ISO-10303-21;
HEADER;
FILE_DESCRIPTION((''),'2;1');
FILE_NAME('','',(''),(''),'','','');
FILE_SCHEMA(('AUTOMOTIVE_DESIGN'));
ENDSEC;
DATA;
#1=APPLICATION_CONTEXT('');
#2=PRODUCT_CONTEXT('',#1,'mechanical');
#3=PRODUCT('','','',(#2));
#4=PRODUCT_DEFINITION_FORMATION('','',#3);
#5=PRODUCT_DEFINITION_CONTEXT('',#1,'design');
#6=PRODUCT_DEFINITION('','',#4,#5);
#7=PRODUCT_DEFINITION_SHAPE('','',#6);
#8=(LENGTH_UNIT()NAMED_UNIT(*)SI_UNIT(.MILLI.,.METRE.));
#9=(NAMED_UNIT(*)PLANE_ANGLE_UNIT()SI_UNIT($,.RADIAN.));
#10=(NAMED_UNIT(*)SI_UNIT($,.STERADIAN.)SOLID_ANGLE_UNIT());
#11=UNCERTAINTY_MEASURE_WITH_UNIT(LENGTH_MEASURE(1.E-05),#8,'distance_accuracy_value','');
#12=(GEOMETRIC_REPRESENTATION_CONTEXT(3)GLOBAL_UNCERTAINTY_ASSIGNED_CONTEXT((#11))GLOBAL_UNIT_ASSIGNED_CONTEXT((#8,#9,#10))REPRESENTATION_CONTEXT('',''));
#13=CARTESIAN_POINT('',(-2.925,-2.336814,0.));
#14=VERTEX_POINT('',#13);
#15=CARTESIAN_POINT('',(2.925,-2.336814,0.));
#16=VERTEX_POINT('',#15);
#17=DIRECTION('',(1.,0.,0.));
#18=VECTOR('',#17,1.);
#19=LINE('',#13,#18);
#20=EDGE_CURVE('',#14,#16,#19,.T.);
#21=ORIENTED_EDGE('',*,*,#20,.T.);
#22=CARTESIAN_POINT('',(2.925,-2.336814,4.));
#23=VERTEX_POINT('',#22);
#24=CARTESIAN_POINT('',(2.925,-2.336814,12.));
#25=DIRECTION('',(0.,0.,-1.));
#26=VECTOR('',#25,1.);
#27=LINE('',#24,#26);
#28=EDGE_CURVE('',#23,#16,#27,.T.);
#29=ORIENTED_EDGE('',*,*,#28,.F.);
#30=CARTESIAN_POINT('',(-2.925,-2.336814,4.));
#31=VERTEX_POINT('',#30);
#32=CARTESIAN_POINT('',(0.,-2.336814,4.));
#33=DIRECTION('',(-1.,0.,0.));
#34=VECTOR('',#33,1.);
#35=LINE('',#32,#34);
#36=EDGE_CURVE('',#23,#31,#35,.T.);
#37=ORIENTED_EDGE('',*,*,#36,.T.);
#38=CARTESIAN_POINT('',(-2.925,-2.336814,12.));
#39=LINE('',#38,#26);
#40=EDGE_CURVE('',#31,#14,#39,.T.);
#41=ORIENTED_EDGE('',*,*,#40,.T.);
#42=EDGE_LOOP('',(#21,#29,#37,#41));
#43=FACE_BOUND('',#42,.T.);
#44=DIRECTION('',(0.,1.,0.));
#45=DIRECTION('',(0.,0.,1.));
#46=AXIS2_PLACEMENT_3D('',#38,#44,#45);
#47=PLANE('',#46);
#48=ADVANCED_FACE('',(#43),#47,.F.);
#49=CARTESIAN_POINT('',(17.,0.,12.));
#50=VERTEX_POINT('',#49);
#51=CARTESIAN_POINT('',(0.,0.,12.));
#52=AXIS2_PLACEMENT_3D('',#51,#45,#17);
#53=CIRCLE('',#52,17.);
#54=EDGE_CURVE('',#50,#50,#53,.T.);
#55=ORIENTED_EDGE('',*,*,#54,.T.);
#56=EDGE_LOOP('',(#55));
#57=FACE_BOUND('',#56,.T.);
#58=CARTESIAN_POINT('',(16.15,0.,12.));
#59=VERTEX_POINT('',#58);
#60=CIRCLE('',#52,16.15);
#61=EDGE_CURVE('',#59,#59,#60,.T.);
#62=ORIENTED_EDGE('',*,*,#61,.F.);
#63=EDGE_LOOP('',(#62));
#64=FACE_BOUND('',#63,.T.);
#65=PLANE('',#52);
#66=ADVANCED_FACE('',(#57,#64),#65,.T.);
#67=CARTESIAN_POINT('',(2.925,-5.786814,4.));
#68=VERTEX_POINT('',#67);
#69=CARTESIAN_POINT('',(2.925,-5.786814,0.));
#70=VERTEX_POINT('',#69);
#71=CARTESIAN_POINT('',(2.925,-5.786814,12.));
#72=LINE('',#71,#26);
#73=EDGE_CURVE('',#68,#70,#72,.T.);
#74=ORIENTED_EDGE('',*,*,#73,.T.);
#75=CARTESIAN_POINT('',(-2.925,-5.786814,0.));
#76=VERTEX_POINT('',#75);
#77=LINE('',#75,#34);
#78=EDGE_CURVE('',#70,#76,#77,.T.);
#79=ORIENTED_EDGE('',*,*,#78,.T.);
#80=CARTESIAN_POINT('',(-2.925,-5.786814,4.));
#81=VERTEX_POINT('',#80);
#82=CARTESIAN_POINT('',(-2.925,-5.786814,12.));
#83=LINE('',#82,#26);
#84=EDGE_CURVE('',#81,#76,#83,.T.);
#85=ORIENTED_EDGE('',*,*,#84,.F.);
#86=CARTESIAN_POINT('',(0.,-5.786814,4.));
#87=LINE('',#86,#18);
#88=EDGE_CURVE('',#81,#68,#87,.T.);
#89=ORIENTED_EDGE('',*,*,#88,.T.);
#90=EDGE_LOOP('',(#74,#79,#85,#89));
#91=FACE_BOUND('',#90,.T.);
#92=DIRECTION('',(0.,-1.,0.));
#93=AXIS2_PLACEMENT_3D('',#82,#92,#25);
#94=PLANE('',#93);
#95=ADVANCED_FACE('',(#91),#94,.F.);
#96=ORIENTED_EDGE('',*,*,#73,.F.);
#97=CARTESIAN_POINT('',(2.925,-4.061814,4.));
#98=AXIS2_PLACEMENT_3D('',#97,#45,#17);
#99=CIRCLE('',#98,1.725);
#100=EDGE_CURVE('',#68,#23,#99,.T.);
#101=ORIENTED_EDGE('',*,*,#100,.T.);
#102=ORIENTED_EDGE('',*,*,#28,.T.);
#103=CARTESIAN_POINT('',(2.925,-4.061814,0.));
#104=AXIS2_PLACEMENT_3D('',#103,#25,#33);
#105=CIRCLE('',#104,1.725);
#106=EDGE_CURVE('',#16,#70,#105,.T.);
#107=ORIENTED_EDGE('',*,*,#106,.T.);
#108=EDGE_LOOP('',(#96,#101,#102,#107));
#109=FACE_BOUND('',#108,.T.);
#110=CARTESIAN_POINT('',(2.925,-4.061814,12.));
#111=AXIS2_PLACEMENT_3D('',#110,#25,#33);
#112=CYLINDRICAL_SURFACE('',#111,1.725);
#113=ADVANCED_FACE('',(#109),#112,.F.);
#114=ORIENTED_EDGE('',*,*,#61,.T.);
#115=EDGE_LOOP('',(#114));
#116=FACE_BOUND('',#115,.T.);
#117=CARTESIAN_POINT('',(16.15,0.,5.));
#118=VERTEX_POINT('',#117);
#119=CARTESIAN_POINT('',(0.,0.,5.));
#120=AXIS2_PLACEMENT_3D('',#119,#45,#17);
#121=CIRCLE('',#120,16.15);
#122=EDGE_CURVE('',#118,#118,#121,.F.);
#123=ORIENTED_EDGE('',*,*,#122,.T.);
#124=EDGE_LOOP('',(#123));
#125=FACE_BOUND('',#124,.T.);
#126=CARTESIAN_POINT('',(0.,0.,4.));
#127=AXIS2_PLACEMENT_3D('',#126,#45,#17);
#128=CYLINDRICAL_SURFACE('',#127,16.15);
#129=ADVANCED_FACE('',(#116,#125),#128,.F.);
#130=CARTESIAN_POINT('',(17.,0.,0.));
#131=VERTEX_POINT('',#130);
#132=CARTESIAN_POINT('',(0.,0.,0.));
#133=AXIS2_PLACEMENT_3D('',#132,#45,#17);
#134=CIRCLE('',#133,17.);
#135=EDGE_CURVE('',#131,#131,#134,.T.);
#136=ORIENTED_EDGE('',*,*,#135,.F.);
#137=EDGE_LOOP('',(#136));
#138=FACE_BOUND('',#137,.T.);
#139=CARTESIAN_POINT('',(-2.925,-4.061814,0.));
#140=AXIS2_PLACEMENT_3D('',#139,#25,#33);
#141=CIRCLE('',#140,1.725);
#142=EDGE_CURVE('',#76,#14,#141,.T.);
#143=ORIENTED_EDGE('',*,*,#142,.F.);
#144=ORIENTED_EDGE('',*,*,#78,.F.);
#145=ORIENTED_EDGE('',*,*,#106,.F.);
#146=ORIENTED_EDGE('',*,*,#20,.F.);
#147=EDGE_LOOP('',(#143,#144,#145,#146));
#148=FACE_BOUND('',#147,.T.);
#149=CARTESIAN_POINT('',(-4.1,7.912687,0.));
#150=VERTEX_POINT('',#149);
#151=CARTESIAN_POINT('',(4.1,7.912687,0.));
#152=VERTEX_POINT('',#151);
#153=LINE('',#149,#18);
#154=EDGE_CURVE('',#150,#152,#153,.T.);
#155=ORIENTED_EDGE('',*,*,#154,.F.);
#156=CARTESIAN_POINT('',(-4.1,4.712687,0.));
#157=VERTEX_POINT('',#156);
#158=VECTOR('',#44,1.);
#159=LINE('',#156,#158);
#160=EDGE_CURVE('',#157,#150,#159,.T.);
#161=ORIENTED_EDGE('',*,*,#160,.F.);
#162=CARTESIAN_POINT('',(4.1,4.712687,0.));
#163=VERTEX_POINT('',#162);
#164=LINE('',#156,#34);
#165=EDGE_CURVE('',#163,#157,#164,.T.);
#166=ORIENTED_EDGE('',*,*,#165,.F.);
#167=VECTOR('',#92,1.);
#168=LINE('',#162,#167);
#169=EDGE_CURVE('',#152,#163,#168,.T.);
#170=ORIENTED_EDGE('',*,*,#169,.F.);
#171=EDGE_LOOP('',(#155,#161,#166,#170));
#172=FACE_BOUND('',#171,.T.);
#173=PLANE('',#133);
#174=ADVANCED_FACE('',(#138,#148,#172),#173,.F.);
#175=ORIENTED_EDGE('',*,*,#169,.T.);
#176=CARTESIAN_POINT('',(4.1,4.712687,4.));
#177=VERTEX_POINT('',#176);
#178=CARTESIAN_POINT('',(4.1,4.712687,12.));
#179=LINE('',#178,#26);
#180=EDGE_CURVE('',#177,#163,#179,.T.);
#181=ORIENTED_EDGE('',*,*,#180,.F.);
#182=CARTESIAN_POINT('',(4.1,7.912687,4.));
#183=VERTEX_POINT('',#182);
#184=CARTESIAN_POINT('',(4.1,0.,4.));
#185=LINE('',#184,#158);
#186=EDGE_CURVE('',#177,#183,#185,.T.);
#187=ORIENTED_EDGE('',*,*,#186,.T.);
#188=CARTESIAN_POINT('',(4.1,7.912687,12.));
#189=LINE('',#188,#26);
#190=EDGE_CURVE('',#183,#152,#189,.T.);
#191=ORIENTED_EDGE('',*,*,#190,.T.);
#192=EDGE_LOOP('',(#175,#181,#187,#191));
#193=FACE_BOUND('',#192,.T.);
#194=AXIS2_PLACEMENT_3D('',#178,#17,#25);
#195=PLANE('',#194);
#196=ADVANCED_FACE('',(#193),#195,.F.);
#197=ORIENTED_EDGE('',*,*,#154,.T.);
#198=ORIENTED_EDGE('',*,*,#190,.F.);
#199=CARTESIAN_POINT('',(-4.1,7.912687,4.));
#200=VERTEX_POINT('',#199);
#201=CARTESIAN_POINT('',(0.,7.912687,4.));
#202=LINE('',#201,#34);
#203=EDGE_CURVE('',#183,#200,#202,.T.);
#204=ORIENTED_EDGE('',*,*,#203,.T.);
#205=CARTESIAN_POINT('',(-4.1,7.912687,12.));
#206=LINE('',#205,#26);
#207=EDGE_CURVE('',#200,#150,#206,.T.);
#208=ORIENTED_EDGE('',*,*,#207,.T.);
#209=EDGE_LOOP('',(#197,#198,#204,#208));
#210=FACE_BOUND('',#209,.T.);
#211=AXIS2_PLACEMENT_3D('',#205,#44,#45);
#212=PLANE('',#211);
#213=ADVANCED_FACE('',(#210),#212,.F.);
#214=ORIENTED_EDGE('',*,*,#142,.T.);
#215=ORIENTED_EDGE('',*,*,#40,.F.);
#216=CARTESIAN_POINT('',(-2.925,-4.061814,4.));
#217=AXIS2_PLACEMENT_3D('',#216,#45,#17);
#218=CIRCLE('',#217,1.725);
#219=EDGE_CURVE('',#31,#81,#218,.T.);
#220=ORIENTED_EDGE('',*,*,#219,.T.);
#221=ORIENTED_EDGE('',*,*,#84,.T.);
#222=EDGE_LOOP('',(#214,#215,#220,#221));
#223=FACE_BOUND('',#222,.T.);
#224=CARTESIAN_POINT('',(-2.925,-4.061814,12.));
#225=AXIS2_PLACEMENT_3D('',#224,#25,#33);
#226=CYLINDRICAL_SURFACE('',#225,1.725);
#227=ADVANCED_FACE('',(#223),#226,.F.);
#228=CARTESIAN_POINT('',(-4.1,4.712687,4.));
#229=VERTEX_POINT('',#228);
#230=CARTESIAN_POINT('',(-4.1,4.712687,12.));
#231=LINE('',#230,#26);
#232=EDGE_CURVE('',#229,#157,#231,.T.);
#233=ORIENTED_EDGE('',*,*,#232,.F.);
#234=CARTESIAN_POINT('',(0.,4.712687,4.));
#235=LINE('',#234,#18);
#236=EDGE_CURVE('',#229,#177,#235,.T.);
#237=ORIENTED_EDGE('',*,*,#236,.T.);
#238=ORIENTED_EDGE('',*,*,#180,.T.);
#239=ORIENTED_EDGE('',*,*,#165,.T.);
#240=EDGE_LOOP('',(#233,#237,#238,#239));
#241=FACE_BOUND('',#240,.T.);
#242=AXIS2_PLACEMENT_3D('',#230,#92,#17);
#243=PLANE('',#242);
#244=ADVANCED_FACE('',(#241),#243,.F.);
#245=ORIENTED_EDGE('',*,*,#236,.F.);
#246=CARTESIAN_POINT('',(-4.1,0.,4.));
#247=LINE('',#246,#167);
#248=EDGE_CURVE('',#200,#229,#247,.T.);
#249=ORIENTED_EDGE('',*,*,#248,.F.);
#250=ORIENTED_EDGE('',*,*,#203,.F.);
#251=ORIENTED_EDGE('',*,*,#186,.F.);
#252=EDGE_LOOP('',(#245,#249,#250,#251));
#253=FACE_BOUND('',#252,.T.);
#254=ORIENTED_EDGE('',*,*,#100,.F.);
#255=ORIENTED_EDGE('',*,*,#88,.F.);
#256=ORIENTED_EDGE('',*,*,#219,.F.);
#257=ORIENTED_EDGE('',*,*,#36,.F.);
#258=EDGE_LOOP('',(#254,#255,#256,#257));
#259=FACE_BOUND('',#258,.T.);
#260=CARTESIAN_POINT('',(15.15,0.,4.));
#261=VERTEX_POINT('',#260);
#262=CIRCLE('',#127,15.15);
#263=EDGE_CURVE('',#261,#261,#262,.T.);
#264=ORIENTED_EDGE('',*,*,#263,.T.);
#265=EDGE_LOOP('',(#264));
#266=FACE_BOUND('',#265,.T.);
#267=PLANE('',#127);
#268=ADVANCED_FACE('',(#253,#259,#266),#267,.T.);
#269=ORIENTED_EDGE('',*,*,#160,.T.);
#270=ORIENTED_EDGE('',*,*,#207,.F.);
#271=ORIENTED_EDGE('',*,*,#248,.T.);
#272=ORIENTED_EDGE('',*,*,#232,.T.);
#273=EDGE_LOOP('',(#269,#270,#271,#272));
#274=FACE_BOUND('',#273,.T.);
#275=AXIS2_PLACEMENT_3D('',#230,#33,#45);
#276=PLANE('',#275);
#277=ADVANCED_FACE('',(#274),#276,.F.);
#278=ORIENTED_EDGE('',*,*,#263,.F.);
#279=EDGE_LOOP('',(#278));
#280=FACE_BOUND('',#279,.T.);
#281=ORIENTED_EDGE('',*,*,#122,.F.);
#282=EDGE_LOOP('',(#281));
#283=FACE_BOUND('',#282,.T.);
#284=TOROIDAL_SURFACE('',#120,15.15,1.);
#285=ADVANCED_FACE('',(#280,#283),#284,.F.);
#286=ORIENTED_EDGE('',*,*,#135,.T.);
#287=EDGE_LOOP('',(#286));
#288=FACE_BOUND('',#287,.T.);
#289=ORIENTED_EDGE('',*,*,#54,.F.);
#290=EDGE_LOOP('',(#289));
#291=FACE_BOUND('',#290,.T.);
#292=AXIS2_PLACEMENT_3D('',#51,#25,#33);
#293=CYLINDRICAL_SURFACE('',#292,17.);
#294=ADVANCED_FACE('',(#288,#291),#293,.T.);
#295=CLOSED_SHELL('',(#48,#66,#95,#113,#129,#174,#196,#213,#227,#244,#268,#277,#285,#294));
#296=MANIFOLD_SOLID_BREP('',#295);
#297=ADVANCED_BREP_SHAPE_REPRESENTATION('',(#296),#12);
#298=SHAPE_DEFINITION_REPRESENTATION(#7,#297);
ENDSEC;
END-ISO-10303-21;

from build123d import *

# Parameters (mm, degrees)
SKETCH2_R           = 17
BOSS_EXTRUDE1_DEPTH = 12
SKETCH3_R           = 16.15
SKETCH3_R_2         = 10
CUT_EXTRUDE1_DEPTH  = 8
FILLET1_R           = 1
SKETCH4_W           = 8.2
SKETCH4_H           = 3.2
CUT_EXTRUDE2_DEPTH  = 27.870057685


with BuildPart() as part:
    # Sketch2 → Boss-Extrude1 (new body)
    with BuildSketch(Plane.XY):
        Circle(SKETCH2_R)
    extrude(amount=BOSS_EXTRUDE1_DEPTH)

    # Sketch3 → Cut-Extrude1 (cut)
    # profile 1 of 2: a face of its own
    with BuildSketch(Plane.XY.offset(12)):
        Circle(SKETCH3_R)
        Circle(SKETCH3_R_2, mode=Mode.SUBTRACT)
    # profile 2 of 2: a face of its own
    with BuildSketch(Plane.XY.offset(12)):
        Circle(SKETCH3_R_2)
    extrude(amount=-CUT_EXTRUDE1_DEPTH, mode=Mode.SUBTRACT)

    # Fillet1
    fillet1_edges = [part.edges().sort_by_distance(p)[0] for p in [
        (-16.15, 0, 4),
    ]]
    fillet(fillet1_edges, radius=FILLET1_R)

    # Sketch4 → Cut-Extrude2 (cut, through all)
    with BuildSketch(Plane(origin=(0, 0, 0), x_dir=(-1, 0, 0), z_dir=(0, 0, -1))):
        with Locations((0, 6.312686907)):
            Rectangle(SKETCH4_W, SKETCH4_H)
        with BuildLine():
            Line((2.925, -5.786814383), (-2.925, -5.786814383))
            ThreePointArc((-2.925, -5.786814383), (-4.65, -4.061814383), (-2.925, -2.336814383))
            Line((-2.925, -2.336814383), (2.925, -2.336814383))
            ThreePointArc((2.925, -2.336814383), (4.65, -4.061814383), (2.925, -5.786814383))
        make_face()
    extrude(amount=-CUT_EXTRUDE2_DEPTH, mode=Mode.SUBTRACT)


solid = part.part
